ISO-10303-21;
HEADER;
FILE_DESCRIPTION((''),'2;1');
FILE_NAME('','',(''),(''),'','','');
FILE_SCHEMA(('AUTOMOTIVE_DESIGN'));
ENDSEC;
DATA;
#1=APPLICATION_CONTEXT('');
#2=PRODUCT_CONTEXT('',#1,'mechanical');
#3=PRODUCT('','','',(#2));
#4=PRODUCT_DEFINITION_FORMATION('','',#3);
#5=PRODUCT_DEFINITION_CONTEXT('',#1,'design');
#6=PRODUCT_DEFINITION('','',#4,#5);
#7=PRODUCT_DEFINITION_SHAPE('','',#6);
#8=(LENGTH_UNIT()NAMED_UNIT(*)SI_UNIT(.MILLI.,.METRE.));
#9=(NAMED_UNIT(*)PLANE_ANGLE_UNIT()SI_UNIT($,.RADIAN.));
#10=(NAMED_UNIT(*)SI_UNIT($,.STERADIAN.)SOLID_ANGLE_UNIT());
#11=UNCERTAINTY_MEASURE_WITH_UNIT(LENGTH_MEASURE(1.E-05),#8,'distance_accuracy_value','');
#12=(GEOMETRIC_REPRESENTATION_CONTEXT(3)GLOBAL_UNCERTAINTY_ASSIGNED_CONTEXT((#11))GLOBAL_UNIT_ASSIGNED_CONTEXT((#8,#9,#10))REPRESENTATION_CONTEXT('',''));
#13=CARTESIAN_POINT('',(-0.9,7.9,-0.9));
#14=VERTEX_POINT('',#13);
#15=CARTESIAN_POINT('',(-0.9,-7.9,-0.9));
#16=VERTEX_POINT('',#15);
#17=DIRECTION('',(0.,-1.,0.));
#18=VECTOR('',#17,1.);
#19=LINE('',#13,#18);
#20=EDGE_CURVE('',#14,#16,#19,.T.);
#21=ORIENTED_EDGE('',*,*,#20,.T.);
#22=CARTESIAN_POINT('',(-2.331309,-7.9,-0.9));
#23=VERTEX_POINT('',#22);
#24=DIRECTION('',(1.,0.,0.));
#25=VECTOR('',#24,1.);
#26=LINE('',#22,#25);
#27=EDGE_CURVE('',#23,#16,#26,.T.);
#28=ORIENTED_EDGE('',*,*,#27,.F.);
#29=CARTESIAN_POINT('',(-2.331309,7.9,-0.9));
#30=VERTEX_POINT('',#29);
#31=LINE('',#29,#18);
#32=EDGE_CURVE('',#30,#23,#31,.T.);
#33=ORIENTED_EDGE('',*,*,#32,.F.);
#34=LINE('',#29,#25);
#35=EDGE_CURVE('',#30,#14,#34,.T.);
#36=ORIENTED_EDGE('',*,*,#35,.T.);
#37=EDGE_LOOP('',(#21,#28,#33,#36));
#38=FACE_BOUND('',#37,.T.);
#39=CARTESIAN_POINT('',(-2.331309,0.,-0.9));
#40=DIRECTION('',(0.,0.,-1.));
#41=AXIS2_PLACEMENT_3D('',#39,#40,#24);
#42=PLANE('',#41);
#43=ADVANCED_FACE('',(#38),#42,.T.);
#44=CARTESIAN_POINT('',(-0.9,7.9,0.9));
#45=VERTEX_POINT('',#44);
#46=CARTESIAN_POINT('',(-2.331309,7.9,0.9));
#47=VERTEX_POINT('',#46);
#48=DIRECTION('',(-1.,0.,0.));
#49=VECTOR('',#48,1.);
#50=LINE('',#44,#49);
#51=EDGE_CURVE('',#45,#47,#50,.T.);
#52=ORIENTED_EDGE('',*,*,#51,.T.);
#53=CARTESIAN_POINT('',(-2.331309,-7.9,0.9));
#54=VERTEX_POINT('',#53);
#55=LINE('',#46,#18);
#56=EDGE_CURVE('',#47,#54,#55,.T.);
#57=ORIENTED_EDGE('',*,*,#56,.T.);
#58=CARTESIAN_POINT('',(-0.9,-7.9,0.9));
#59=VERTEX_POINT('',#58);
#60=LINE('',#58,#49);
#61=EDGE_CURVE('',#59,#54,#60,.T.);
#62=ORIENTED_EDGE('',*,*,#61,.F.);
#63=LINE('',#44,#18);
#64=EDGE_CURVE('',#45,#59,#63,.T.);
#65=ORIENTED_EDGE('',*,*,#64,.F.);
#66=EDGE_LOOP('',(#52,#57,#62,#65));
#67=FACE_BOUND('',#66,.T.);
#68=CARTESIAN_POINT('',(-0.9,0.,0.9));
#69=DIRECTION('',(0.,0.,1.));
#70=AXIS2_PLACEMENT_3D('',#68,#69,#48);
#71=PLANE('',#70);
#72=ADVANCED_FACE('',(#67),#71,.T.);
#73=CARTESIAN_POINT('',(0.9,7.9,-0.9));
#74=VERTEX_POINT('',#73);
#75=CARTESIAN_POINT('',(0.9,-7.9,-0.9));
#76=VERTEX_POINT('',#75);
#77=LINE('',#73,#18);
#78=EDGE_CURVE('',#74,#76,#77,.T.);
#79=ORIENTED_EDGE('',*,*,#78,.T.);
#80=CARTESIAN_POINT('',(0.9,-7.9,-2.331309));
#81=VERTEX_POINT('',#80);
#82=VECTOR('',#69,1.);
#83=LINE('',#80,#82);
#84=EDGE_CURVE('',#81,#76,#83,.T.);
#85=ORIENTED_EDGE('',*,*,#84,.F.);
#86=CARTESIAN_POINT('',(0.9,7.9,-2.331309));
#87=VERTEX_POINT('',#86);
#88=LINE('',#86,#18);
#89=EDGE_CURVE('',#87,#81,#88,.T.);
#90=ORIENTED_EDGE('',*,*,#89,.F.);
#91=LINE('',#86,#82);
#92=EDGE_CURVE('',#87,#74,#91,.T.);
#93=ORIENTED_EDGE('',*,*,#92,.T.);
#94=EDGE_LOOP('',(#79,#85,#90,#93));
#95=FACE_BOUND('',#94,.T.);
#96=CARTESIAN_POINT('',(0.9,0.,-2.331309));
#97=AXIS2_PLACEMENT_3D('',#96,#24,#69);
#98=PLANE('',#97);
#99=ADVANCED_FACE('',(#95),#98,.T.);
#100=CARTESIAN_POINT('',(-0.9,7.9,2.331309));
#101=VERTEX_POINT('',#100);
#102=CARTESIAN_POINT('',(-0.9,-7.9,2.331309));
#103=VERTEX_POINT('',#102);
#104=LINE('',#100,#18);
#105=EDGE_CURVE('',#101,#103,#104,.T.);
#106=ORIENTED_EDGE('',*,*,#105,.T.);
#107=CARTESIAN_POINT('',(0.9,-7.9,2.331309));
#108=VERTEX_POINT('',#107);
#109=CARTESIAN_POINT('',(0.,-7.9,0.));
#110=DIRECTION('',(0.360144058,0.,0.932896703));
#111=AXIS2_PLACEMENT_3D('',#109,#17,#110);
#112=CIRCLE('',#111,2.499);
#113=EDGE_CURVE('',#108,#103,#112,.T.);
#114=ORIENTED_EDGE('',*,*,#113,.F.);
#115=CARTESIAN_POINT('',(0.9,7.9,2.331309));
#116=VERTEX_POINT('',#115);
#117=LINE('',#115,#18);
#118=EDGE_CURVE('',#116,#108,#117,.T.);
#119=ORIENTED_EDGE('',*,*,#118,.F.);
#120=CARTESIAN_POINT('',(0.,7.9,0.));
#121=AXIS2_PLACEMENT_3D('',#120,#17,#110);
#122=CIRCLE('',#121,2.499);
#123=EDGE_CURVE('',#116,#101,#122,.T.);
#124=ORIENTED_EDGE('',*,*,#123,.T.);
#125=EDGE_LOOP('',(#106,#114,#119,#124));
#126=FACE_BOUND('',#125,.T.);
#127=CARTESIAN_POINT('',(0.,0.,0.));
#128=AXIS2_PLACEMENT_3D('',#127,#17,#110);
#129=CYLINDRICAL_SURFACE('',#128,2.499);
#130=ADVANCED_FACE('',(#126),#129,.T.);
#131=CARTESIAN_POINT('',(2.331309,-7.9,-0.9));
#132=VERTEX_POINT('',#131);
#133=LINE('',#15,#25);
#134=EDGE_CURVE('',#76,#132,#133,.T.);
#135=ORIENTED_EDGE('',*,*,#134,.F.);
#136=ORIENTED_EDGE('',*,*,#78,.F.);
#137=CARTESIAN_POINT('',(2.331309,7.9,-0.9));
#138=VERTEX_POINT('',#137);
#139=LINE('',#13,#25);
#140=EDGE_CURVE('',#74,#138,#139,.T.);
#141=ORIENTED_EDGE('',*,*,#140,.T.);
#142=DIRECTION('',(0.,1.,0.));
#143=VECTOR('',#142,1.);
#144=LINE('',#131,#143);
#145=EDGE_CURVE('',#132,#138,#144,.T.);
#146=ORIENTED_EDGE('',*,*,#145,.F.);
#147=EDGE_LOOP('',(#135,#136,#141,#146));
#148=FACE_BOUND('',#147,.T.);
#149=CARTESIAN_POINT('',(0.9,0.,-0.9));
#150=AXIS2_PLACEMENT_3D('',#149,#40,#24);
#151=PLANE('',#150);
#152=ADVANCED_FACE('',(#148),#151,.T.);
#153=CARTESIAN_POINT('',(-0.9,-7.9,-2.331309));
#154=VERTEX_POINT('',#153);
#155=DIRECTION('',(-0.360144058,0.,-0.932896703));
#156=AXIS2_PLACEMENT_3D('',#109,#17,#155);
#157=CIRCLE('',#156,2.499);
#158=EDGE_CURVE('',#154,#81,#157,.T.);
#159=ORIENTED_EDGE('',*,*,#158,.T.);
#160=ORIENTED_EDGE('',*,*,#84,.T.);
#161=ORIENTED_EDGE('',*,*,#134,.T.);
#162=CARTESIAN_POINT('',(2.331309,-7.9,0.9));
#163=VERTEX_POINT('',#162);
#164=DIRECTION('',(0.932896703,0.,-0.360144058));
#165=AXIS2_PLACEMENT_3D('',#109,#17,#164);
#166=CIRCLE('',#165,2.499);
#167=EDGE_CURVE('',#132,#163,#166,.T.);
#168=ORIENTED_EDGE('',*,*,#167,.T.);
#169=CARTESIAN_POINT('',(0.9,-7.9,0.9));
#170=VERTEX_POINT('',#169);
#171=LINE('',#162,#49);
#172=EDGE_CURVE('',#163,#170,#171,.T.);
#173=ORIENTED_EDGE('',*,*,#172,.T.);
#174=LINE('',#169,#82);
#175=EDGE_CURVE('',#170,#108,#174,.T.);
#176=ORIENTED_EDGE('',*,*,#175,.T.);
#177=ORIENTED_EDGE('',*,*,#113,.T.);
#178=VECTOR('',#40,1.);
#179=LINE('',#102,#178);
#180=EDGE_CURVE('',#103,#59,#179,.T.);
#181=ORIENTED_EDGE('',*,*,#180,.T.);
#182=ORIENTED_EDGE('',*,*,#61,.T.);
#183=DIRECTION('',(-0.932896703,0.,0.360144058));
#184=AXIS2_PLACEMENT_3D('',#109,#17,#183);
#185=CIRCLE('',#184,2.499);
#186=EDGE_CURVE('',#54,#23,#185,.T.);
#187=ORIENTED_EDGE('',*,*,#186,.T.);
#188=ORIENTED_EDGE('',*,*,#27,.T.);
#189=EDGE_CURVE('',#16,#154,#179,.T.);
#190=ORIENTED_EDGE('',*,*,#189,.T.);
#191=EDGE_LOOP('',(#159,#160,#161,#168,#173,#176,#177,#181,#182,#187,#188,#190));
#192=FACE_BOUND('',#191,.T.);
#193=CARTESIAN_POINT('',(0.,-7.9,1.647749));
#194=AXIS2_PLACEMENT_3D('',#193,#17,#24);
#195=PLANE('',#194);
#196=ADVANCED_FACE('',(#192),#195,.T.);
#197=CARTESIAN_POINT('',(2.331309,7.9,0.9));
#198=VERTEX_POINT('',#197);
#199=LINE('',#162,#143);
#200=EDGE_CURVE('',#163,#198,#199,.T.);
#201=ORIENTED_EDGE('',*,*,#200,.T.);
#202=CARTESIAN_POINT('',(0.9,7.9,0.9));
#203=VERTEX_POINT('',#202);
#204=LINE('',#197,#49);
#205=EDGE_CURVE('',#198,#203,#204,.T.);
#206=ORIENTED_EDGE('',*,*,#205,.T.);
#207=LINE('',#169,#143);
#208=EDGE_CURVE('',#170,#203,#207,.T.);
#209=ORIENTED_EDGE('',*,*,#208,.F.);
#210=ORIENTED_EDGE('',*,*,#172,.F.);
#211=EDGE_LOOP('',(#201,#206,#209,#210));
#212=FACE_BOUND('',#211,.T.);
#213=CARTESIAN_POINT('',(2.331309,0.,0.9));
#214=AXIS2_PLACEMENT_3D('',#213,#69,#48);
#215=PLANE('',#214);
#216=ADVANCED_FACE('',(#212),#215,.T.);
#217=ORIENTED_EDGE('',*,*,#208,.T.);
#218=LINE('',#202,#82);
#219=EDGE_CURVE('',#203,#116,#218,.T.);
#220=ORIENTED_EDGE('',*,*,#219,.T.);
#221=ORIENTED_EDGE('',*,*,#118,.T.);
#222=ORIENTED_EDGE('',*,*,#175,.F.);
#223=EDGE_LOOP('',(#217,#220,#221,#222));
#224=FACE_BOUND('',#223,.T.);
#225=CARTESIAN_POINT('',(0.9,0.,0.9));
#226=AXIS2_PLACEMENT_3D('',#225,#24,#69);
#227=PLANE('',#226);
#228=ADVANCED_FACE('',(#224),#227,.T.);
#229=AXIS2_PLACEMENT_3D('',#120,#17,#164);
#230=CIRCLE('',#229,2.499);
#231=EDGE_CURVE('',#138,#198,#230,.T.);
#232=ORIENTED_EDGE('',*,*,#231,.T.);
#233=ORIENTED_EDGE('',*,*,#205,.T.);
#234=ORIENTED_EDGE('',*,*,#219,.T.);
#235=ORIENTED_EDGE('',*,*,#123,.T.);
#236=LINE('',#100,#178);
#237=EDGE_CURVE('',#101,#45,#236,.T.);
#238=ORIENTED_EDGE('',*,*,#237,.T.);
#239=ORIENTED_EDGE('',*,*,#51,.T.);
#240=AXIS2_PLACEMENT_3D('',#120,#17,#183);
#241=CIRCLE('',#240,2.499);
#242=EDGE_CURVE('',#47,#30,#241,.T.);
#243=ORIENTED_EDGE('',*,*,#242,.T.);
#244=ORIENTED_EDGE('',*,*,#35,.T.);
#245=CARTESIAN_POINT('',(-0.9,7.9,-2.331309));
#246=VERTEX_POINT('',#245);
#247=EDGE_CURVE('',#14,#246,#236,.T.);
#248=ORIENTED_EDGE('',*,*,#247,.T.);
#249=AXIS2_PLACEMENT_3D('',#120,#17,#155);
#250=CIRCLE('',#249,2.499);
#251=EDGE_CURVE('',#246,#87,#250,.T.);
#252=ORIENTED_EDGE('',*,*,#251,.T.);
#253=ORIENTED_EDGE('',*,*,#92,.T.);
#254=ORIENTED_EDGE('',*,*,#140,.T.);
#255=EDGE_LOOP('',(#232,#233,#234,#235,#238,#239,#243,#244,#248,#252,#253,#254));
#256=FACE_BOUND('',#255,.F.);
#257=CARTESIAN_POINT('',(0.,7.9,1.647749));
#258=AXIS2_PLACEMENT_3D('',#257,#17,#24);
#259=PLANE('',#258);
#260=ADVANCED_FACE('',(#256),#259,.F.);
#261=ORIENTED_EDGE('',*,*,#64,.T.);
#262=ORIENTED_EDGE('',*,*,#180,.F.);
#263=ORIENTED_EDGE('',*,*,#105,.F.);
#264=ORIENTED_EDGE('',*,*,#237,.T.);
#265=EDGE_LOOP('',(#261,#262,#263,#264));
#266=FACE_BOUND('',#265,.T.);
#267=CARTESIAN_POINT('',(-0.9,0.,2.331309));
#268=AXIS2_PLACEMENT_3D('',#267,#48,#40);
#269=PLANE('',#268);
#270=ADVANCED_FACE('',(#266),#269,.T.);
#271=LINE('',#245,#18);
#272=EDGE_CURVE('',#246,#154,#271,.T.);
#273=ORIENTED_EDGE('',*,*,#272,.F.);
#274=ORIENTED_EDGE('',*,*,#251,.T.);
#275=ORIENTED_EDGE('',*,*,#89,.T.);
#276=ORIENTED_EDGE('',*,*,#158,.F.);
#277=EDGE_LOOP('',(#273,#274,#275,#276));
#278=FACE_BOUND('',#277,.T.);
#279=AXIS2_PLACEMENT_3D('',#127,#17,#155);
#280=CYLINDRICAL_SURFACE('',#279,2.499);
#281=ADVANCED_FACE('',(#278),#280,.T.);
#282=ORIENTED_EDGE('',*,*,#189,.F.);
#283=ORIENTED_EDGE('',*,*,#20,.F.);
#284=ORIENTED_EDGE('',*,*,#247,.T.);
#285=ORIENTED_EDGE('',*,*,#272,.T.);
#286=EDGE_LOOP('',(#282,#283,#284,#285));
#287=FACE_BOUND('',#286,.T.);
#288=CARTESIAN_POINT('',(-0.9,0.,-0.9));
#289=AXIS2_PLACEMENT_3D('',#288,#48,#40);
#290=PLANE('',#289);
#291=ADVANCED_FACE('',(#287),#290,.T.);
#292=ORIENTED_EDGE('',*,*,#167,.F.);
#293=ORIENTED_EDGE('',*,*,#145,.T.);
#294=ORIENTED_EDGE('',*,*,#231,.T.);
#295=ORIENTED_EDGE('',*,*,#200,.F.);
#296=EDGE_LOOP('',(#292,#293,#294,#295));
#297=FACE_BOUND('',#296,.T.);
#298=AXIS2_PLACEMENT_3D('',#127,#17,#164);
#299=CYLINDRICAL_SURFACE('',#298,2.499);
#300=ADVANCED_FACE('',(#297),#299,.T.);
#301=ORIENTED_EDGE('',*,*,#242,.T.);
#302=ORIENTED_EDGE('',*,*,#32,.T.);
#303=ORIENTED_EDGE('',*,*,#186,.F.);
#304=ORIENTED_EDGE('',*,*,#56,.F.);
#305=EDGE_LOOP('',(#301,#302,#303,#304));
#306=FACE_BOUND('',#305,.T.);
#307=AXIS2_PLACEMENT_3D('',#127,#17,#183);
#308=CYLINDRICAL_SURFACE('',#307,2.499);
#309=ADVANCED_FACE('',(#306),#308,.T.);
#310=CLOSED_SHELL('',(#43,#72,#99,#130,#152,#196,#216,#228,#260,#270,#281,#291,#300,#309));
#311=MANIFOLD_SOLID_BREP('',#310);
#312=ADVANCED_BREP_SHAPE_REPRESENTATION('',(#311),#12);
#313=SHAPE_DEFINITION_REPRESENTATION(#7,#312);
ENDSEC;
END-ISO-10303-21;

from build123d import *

# Parameters (mm, degrees)
F0_W     = 1.8
F0_H     = 1.8
F1_DEPTH = 7.9


with BuildPart() as f1:
    # F0 (on Front) → F1 (new body, symmetric)
    with BuildSketch(Plane.XZ):
        with BuildLine():
            Line((0.9, 0.9), (0.9, 2.3313088598))
            ThreePointArc((0.9, 2.3313088598), (0, 2.499), (-0.9, 2.3313088598))
            Line((-0.9, 2.3313088598), (-0.9, 0.9))
            Line((-0.9, 0.9), (0.9, 0.9))
        make_face()
        with BuildLine():
            Line((2.3313088598, 0.9), (0.9, 0.9))
            Line((0.9, 0.9), (0.9, -0.9))
            Line((0.9, -0.9), (2.3313088598, -0.9))
            ThreePointArc((2.3313088598, -0.9), (2.499, 0), (2.3313088598, 0.9))
        make_face()
        Rectangle(F0_W, F0_H)
        with BuildLine():
            Line((0.9, -2.3313088598), (0.9, -0.9))
            Line((0.9, -0.9), (-0.9, -0.9))
            Line((-0.9, -0.9), (-0.9, -2.3313088598))
            ThreePointArc((-0.9, -2.3313088598), (0, -2.499), (0.9, -2.3313088598))
        make_face()
        with BuildLine():
            Line((-0.9, -0.9), (-0.9, 0.9))
            Line((-0.9, 0.9), (-2.3313088598, 0.9))
            ThreePointArc((-2.3313088598, 0.9), (-2.499, 0), (-2.3313088598, -0.9))
            Line((-2.3313088598, -0.9), (-0.9, -0.9))
        make_face()
    extrude(amount=F1_DEPTH, both=True)


solid = f1.part
